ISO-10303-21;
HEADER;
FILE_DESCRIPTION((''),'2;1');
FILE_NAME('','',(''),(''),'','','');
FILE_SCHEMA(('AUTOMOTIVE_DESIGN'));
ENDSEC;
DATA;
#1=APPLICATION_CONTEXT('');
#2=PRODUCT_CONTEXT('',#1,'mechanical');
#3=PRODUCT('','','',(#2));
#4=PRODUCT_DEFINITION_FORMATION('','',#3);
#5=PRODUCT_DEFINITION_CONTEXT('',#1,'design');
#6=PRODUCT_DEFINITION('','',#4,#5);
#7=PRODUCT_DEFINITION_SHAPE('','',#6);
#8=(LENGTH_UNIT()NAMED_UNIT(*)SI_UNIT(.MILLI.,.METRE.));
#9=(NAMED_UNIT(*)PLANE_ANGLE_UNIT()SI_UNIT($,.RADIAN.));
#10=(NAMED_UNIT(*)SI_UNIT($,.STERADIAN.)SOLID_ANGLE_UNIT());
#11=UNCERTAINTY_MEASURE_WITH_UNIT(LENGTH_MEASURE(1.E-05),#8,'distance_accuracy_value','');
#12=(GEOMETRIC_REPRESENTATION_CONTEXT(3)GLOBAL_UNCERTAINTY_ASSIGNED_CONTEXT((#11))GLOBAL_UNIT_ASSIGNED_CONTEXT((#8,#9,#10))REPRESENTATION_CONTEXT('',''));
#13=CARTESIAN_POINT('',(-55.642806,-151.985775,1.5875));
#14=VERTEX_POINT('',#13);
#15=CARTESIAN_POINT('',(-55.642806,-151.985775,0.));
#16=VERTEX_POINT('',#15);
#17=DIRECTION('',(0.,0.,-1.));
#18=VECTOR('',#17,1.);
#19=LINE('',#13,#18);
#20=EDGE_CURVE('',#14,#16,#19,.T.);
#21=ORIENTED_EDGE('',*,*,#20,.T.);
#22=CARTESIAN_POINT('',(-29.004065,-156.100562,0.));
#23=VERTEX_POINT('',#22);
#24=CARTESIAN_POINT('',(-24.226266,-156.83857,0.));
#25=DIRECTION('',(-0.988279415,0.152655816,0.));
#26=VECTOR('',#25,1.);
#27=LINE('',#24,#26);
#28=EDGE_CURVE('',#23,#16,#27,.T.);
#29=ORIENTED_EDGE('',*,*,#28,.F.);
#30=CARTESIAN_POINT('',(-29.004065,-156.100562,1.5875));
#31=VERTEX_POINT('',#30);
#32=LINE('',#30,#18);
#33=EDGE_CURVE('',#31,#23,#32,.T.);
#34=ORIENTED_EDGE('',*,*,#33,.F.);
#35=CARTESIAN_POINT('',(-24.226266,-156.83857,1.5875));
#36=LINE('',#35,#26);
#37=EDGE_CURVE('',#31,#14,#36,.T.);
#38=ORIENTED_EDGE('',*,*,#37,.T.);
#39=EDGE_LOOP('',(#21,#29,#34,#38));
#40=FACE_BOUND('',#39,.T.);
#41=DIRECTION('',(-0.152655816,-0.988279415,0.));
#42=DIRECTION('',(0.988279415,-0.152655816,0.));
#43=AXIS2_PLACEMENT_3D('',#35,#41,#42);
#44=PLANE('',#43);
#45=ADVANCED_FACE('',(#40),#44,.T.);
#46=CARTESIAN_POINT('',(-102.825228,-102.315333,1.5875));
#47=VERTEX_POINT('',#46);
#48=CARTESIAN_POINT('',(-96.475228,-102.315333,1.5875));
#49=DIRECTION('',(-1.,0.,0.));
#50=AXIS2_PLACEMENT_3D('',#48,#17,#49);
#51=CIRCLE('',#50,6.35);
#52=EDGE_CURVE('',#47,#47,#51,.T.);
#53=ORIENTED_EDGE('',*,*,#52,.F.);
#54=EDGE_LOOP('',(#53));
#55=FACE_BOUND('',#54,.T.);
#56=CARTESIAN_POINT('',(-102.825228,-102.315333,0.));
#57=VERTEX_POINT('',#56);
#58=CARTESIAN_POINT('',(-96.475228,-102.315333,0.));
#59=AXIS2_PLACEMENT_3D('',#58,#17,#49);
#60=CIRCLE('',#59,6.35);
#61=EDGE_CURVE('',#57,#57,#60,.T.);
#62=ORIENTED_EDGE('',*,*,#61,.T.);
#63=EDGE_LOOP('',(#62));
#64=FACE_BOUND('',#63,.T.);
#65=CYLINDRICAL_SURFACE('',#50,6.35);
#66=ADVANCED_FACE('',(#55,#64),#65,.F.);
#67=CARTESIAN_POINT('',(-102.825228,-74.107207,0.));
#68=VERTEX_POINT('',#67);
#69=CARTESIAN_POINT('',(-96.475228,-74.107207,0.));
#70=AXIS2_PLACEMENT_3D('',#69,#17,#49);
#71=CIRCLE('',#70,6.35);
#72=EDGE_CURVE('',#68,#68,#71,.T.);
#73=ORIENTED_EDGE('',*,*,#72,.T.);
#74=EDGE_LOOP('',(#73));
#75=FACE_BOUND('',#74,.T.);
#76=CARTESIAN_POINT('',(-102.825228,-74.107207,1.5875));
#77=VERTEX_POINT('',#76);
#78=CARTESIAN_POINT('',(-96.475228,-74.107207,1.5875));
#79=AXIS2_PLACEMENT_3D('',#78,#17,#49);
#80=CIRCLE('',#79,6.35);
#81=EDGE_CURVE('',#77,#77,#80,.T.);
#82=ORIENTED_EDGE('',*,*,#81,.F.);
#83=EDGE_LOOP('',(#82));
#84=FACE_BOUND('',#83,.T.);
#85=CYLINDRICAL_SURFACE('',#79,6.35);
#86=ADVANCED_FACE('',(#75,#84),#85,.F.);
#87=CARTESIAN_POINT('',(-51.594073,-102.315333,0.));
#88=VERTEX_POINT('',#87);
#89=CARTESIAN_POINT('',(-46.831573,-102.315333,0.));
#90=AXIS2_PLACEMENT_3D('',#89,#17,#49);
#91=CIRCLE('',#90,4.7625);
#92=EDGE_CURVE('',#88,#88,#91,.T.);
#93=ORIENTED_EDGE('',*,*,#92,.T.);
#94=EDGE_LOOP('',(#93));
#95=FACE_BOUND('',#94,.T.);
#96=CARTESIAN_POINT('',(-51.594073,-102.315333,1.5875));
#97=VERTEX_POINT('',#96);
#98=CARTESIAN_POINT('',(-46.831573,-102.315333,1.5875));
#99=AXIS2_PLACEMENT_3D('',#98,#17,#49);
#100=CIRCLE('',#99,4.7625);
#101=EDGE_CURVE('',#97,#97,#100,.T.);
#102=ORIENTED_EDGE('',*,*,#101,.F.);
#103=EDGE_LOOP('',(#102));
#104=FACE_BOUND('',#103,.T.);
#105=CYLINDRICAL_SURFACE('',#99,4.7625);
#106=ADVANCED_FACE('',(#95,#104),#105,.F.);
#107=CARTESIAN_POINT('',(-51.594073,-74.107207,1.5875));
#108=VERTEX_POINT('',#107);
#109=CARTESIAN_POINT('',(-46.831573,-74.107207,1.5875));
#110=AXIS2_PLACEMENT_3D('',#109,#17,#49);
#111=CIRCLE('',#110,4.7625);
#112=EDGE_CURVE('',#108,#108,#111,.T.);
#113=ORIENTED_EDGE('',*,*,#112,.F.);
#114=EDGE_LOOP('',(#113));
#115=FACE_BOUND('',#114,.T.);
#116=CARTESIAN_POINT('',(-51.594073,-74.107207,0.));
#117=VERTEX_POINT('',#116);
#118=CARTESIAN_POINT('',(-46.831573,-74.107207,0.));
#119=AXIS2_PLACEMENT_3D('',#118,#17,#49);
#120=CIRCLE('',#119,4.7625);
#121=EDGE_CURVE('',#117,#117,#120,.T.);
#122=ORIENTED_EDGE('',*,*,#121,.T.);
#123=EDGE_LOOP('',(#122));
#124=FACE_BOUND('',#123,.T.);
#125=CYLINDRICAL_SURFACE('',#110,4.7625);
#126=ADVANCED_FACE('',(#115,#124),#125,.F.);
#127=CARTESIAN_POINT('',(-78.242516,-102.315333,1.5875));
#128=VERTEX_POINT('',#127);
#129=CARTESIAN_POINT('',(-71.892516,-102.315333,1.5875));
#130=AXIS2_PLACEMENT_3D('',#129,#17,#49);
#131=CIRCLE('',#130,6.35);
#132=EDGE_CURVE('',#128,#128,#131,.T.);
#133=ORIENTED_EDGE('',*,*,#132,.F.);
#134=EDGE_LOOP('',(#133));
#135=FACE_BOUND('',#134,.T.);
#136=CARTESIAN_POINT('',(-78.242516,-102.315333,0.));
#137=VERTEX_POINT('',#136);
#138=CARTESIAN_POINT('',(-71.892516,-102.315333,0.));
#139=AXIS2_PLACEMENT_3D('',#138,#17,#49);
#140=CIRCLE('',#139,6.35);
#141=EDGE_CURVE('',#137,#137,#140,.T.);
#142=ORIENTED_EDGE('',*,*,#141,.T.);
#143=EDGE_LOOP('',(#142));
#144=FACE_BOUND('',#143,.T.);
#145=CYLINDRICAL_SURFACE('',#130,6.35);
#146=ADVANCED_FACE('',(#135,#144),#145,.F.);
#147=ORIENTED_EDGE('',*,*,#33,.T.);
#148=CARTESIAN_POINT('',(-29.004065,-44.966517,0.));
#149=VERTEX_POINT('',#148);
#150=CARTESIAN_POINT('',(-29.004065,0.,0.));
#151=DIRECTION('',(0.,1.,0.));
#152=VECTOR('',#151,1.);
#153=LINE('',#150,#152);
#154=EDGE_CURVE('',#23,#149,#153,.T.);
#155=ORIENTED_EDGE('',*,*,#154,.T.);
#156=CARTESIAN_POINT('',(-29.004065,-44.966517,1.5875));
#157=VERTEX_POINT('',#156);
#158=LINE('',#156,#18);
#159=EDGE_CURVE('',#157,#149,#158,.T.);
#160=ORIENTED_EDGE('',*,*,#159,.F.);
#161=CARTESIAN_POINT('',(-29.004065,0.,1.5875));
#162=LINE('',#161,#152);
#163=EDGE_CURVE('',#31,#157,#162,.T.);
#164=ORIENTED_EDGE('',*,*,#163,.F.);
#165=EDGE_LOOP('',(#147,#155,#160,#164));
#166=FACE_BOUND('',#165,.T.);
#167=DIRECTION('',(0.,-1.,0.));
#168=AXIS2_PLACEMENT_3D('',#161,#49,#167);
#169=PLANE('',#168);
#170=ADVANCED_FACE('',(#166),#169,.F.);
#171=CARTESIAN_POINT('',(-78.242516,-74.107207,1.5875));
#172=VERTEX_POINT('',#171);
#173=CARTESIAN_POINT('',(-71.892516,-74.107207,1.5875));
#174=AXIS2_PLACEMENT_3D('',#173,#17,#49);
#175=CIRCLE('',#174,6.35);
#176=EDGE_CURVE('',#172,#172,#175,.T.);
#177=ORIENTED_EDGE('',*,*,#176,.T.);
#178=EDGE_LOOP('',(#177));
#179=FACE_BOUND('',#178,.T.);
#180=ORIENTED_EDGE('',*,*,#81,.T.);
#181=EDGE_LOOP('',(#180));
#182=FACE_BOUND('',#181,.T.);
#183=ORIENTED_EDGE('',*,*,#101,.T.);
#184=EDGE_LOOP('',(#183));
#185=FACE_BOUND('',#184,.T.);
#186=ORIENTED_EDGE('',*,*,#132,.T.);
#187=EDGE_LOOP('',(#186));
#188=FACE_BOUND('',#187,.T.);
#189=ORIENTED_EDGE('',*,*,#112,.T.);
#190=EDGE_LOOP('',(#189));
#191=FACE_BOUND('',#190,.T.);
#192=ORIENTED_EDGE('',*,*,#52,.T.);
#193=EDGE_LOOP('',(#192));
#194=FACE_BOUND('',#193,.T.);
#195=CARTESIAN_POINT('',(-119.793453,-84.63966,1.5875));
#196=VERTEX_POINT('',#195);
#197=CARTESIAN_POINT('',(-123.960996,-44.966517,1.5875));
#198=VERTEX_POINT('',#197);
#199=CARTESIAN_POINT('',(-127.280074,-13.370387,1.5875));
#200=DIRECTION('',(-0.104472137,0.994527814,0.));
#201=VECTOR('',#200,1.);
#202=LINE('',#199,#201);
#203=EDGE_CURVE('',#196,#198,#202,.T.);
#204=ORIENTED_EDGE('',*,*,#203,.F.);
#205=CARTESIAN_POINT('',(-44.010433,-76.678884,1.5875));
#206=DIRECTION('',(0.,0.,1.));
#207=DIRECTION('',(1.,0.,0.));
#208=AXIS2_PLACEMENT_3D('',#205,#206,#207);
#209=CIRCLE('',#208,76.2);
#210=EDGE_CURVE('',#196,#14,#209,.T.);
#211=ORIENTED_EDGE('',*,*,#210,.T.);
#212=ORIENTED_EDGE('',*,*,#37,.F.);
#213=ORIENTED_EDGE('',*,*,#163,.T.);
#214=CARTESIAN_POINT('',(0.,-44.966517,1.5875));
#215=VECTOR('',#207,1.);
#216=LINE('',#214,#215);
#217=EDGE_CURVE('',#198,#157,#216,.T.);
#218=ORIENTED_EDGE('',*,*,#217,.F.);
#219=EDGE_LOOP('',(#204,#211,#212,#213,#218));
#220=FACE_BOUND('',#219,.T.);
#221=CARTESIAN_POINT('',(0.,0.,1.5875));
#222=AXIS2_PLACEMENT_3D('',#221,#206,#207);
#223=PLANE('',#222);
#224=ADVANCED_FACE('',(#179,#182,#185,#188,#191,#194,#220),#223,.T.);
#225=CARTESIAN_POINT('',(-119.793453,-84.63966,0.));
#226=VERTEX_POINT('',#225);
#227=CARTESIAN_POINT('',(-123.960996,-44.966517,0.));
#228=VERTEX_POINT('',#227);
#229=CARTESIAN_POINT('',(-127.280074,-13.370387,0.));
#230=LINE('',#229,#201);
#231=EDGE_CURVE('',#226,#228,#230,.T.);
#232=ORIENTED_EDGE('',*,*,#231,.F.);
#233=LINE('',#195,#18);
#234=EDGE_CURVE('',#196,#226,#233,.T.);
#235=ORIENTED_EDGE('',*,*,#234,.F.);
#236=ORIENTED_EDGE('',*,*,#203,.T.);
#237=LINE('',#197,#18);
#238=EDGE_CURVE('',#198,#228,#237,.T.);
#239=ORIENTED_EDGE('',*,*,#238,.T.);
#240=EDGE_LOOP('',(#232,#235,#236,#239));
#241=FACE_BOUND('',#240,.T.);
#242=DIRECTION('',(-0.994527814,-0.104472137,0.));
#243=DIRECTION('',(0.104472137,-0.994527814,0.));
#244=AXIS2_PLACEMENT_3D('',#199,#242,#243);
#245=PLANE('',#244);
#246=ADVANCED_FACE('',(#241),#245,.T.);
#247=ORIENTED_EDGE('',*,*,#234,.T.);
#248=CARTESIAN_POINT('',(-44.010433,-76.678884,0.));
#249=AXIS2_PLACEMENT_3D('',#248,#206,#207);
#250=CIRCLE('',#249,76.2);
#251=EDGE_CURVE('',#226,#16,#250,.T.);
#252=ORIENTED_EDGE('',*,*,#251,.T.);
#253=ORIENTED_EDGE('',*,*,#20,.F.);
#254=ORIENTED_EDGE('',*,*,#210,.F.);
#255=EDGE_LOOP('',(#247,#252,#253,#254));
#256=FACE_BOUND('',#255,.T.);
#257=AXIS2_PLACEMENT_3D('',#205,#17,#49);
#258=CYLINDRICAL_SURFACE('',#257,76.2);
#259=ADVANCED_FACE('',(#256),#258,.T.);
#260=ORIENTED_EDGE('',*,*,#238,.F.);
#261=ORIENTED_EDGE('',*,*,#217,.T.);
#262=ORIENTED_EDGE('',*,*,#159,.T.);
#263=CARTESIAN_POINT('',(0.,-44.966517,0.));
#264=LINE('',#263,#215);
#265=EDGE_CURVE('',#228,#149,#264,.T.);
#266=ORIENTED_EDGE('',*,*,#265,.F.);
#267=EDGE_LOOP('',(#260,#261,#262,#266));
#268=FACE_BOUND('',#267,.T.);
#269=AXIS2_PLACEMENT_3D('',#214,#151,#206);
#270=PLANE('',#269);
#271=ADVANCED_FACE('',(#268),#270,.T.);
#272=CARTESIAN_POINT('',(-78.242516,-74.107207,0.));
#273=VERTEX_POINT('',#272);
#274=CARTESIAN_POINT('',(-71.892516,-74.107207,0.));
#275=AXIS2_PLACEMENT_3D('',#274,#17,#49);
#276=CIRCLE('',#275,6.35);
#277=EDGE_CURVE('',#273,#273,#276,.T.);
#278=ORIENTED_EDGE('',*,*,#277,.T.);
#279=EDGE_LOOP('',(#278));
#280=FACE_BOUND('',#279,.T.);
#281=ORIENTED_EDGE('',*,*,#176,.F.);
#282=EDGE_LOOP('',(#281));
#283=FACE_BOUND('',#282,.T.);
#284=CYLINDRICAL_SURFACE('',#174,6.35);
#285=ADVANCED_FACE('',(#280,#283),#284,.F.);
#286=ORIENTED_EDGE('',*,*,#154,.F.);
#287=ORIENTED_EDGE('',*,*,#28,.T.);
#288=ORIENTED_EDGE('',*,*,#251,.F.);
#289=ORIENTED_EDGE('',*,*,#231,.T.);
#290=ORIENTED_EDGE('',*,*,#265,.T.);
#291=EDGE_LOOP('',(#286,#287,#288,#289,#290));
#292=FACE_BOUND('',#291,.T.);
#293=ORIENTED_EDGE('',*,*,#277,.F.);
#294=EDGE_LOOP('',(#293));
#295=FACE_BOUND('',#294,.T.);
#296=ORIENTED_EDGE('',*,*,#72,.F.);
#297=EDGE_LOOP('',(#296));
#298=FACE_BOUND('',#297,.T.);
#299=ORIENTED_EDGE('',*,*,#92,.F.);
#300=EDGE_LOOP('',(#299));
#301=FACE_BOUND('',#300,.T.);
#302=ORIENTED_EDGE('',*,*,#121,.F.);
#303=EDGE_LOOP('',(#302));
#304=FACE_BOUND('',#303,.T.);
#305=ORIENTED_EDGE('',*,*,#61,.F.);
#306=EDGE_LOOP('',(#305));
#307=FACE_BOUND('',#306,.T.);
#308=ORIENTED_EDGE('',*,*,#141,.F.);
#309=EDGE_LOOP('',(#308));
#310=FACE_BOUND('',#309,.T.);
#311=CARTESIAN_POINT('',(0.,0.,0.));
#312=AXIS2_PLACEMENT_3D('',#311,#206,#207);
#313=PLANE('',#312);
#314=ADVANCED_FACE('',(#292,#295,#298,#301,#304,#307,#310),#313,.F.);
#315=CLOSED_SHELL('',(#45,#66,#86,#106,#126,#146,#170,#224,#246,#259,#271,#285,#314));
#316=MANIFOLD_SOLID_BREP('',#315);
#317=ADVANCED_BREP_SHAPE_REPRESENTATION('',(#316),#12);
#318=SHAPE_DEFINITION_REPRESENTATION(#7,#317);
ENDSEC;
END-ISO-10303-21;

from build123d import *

# Parameters (mm, degrees)
BOSS_EXTRUDE1_DEPTH = 1.5875
SKETCH2_R           = 6.35
SKETCH2_R_2         = 4.7625
CUT_EXTRUDE1_DEPTH  = 200.339494535


with BuildPart() as part:
    # Sketch1 → Boss-Extrude1 (new body)
    with BuildSketch(Plane.XY):
        with BuildLine():
            Line((-29.004064566, -156.10056159), (-29.004064566, -44.966517074))
            Line((-29.004064566, -44.966517074), (-123.96099627, -44.966517074))
            Line((-123.96099627, -44.966517074), (-119.793452617, -84.639660454))
            ThreePointArc((-119.793452617, -84.639660454), (-99.185042421, -129.235543476), (-55.642806391, -151.98577501))
            Line((-55.642806391, -151.98577501), (-29.004064566, -156.10056159))
        make_face()
    extrude(amount=BOSS_EXTRUDE1_DEPTH)

    # Sketch2 → Cut-Extrude1 (cut, through all)
    with BuildSketch(Plane(origin=(0, 0, 0), x_dir=(-1, 0, 0), z_dir=(0, 0, -1))):
        with Locations((71.892516398, -102.315332665)):
            Circle(SKETCH2_R)
        with Locations((96.475228053, -102.315332665)):
            Circle(SKETCH2_R)
        with Locations((96.475228053, -74.107206632)):
            Circle(SKETCH2_R)
        with Locations((71.892516398, -74.107206632)):
            Circle(SKETCH2_R)
        with Locations((46.831572971, -102.315332665)):
            Circle(SKETCH2_R_2)
        with Locations((46.831572971, -74.107206632)):
            Circle(SKETCH2_R_2)
    extrude(amount=-CUT_EXTRUDE1_DEPTH, mode=Mode.SUBTRACT)


solid = part.part
